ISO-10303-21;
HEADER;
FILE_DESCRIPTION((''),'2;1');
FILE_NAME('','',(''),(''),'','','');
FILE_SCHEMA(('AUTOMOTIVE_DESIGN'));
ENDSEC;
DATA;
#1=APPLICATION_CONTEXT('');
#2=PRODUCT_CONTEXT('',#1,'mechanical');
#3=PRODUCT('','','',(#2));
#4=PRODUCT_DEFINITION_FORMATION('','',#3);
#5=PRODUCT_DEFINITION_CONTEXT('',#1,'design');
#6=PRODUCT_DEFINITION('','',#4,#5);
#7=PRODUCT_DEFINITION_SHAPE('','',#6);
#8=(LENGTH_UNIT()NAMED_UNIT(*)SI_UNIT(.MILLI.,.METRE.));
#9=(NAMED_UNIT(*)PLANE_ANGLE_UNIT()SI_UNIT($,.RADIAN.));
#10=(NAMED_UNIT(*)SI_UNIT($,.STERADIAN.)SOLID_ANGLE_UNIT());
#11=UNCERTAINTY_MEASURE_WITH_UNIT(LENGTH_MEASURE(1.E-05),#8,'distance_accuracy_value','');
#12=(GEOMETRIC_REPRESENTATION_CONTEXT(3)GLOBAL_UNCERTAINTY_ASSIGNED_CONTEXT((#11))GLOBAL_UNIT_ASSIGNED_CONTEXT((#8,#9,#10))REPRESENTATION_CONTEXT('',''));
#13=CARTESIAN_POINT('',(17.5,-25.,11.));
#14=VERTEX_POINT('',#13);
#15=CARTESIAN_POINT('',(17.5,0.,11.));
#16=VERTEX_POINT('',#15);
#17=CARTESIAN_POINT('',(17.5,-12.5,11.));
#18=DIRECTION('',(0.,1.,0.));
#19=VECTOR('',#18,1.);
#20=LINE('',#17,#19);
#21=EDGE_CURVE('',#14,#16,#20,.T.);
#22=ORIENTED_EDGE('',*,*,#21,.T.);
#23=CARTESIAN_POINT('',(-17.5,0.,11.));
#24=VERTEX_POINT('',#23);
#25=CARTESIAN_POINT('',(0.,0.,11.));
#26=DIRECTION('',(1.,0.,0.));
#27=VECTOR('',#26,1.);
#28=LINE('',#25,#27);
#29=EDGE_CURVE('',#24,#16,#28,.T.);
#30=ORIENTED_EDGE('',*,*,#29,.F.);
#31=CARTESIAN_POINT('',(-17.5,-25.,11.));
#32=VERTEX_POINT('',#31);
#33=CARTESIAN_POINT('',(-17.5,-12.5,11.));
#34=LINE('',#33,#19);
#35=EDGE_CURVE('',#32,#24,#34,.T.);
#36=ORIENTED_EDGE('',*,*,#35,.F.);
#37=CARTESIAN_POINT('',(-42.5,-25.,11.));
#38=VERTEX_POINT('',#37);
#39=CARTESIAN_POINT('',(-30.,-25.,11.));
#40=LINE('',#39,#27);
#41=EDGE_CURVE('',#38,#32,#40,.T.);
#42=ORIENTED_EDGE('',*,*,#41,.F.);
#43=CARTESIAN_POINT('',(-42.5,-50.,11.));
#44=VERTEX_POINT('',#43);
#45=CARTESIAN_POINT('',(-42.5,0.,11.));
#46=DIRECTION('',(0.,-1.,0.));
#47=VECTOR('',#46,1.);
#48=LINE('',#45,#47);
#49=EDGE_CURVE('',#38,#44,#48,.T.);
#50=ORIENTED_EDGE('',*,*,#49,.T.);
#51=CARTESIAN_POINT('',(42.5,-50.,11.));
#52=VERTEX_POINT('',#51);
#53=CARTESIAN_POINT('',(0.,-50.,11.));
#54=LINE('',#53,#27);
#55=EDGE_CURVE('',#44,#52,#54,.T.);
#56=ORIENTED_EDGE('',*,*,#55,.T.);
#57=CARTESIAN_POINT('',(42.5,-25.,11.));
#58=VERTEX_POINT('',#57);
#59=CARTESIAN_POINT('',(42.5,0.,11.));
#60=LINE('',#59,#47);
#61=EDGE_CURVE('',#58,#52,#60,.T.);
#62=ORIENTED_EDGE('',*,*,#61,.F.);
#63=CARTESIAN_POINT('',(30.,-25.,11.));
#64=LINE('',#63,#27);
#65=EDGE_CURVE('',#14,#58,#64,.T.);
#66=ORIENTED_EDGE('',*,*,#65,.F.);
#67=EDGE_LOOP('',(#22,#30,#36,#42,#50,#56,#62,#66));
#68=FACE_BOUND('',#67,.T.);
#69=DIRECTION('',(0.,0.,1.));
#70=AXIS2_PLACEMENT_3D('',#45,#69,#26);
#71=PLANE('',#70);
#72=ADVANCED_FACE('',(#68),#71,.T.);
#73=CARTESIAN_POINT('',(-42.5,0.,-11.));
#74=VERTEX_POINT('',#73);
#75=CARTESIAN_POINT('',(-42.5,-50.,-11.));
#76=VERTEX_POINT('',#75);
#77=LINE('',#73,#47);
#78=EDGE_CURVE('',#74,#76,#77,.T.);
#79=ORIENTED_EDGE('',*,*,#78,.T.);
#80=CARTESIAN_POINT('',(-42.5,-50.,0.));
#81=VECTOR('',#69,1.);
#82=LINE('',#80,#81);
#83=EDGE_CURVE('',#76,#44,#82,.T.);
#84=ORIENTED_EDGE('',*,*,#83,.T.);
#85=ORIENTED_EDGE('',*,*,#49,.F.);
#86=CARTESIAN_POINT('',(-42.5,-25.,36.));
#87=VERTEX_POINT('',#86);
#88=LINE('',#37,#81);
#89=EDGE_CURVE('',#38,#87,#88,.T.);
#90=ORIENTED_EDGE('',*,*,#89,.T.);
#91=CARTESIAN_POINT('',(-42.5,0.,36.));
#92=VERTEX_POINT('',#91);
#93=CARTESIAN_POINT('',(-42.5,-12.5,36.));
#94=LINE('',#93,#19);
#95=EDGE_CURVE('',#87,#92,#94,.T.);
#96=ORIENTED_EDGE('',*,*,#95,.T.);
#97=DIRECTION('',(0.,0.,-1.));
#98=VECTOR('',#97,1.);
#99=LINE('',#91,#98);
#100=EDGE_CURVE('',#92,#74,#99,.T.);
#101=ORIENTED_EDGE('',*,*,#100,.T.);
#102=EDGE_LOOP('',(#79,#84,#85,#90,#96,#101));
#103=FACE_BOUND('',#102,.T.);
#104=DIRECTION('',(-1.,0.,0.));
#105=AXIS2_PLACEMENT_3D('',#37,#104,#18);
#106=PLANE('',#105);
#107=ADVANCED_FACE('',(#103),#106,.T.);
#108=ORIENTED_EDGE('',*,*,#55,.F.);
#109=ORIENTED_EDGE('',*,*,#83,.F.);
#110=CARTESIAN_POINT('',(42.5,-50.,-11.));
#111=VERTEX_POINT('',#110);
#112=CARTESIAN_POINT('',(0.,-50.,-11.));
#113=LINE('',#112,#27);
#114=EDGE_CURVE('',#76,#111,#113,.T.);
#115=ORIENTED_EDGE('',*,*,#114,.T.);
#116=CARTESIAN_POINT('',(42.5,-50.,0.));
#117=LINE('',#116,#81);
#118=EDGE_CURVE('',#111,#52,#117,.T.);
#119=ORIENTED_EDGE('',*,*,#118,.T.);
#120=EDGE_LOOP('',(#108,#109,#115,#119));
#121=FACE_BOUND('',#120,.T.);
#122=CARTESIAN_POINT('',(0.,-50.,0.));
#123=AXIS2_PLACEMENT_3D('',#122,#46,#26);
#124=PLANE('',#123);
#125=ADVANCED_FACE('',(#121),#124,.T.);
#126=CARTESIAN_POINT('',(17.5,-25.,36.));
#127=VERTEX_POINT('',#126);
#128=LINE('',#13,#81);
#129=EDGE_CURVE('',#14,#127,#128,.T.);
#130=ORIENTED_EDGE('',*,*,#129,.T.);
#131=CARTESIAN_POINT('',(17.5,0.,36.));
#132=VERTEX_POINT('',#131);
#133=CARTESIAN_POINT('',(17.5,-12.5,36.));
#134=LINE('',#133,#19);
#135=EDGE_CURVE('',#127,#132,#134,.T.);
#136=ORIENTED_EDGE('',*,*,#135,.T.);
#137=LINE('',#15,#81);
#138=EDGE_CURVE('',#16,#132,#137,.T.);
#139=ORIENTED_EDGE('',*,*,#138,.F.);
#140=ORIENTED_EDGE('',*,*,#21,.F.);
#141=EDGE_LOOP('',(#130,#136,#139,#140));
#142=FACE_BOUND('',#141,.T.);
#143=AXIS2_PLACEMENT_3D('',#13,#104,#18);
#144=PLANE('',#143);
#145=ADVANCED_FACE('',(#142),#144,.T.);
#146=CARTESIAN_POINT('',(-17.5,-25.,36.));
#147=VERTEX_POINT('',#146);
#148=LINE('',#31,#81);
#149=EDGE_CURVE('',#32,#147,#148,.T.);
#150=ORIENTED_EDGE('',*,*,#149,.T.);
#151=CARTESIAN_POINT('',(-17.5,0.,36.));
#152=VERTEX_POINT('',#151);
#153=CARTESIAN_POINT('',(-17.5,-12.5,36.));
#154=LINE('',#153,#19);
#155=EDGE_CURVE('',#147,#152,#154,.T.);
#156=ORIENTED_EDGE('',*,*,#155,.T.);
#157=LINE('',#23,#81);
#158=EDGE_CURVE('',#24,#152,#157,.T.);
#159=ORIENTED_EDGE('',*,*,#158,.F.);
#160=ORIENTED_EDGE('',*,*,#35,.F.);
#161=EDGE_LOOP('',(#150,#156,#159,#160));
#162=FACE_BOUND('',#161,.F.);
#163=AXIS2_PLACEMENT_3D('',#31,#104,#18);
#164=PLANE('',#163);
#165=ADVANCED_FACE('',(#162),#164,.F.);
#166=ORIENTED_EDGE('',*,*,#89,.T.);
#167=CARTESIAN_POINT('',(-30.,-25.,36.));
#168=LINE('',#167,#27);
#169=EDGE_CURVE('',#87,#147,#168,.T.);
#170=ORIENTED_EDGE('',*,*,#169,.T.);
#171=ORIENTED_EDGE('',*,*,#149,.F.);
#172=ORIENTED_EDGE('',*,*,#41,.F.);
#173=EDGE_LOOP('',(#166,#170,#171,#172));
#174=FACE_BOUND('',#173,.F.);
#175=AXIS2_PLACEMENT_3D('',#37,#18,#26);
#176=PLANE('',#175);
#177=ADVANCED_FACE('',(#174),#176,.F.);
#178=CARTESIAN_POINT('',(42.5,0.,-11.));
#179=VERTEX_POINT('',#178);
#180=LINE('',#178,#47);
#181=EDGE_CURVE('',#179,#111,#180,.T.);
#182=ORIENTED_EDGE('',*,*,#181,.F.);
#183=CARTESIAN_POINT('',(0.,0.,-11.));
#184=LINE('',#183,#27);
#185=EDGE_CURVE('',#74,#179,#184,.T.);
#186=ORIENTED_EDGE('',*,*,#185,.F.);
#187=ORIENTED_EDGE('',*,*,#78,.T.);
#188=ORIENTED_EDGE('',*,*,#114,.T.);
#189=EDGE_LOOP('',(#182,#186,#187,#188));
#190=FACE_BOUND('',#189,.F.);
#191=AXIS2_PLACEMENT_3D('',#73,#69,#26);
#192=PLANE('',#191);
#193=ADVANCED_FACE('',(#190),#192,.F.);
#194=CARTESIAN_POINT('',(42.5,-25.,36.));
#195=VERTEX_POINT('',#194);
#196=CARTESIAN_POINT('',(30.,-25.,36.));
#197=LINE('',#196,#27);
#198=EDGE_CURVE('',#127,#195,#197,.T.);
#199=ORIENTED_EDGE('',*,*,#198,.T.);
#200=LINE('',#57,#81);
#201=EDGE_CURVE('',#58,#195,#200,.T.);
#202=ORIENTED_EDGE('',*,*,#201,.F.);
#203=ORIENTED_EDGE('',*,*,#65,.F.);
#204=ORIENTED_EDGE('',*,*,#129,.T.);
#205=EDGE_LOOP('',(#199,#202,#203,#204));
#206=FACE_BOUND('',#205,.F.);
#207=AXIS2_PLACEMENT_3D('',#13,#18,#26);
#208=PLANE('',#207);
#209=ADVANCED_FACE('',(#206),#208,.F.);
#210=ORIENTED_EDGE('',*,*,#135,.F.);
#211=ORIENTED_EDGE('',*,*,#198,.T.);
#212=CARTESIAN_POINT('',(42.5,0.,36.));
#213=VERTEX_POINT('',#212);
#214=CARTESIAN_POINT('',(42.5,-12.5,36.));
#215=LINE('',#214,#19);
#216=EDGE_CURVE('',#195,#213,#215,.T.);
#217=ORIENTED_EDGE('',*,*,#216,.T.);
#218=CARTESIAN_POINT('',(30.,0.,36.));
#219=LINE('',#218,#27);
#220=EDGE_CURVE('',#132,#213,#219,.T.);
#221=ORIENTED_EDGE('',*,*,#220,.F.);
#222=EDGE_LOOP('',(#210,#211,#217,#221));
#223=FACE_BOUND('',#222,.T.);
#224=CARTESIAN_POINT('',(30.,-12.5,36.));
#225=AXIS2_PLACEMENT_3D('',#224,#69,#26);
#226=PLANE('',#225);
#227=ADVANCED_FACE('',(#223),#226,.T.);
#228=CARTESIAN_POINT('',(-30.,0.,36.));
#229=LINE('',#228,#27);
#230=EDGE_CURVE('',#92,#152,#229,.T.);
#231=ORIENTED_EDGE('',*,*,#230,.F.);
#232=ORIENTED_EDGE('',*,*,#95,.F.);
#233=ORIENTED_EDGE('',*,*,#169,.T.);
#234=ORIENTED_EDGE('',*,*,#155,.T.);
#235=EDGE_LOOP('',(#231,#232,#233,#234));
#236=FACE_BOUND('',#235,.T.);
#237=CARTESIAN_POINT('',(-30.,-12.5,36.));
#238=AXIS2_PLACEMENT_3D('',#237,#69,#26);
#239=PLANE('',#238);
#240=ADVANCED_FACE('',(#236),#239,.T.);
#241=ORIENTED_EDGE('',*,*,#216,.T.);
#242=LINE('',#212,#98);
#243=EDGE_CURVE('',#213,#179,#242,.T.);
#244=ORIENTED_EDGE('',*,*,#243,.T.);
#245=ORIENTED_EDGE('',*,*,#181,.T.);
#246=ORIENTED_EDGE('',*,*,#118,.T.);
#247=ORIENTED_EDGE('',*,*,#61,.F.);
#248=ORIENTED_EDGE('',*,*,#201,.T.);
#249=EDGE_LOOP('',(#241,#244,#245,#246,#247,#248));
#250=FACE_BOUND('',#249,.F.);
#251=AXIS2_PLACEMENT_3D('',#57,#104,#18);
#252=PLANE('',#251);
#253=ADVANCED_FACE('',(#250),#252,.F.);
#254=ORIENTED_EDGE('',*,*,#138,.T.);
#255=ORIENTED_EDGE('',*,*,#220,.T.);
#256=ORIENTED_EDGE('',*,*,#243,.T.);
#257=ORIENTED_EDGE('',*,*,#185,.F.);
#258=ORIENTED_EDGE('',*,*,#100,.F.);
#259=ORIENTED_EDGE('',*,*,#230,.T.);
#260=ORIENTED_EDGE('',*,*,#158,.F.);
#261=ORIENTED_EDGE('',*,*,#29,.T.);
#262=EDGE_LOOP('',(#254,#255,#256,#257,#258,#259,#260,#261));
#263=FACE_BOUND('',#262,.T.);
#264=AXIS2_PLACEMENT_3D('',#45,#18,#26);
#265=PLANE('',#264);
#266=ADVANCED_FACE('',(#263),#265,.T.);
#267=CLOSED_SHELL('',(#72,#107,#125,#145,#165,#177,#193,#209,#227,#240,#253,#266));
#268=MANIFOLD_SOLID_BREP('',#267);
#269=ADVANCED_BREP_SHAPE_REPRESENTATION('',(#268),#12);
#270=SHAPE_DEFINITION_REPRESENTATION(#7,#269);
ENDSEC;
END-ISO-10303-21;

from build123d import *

# Parameters (mm, degrees)
F0_W     = 85
F0_H     = 22
F1_DEPTH = 50
F2_W     = 25
F2_H     = 25
F3_DEPTH = 25
F4_W     = 25
F4_H     = 25
F5_DEPTH = 25


with BuildPart() as f1:
    # F0 (on Front) → F1 (new body)
    with BuildSketch(Plane.XZ):
        Rectangle(F0_W, F0_H)
    extrude(amount=F1_DEPTH)

    # F2 (on face) → F3 (join)
    with BuildSketch(Plane.XY.offset(11)):
        with Locations((30, -12.5)):
            Rectangle(F2_W, F2_H)
    extrude(amount=F3_DEPTH)

    # F4 (on face) → F5 (join)
    with BuildSketch(Plane.XY.offset(11)):
        with Locations((-30, -12.5)):
            Rectangle(F4_W, F4_H)
    extrude(amount=F5_DEPTH)


solid = f1.part
